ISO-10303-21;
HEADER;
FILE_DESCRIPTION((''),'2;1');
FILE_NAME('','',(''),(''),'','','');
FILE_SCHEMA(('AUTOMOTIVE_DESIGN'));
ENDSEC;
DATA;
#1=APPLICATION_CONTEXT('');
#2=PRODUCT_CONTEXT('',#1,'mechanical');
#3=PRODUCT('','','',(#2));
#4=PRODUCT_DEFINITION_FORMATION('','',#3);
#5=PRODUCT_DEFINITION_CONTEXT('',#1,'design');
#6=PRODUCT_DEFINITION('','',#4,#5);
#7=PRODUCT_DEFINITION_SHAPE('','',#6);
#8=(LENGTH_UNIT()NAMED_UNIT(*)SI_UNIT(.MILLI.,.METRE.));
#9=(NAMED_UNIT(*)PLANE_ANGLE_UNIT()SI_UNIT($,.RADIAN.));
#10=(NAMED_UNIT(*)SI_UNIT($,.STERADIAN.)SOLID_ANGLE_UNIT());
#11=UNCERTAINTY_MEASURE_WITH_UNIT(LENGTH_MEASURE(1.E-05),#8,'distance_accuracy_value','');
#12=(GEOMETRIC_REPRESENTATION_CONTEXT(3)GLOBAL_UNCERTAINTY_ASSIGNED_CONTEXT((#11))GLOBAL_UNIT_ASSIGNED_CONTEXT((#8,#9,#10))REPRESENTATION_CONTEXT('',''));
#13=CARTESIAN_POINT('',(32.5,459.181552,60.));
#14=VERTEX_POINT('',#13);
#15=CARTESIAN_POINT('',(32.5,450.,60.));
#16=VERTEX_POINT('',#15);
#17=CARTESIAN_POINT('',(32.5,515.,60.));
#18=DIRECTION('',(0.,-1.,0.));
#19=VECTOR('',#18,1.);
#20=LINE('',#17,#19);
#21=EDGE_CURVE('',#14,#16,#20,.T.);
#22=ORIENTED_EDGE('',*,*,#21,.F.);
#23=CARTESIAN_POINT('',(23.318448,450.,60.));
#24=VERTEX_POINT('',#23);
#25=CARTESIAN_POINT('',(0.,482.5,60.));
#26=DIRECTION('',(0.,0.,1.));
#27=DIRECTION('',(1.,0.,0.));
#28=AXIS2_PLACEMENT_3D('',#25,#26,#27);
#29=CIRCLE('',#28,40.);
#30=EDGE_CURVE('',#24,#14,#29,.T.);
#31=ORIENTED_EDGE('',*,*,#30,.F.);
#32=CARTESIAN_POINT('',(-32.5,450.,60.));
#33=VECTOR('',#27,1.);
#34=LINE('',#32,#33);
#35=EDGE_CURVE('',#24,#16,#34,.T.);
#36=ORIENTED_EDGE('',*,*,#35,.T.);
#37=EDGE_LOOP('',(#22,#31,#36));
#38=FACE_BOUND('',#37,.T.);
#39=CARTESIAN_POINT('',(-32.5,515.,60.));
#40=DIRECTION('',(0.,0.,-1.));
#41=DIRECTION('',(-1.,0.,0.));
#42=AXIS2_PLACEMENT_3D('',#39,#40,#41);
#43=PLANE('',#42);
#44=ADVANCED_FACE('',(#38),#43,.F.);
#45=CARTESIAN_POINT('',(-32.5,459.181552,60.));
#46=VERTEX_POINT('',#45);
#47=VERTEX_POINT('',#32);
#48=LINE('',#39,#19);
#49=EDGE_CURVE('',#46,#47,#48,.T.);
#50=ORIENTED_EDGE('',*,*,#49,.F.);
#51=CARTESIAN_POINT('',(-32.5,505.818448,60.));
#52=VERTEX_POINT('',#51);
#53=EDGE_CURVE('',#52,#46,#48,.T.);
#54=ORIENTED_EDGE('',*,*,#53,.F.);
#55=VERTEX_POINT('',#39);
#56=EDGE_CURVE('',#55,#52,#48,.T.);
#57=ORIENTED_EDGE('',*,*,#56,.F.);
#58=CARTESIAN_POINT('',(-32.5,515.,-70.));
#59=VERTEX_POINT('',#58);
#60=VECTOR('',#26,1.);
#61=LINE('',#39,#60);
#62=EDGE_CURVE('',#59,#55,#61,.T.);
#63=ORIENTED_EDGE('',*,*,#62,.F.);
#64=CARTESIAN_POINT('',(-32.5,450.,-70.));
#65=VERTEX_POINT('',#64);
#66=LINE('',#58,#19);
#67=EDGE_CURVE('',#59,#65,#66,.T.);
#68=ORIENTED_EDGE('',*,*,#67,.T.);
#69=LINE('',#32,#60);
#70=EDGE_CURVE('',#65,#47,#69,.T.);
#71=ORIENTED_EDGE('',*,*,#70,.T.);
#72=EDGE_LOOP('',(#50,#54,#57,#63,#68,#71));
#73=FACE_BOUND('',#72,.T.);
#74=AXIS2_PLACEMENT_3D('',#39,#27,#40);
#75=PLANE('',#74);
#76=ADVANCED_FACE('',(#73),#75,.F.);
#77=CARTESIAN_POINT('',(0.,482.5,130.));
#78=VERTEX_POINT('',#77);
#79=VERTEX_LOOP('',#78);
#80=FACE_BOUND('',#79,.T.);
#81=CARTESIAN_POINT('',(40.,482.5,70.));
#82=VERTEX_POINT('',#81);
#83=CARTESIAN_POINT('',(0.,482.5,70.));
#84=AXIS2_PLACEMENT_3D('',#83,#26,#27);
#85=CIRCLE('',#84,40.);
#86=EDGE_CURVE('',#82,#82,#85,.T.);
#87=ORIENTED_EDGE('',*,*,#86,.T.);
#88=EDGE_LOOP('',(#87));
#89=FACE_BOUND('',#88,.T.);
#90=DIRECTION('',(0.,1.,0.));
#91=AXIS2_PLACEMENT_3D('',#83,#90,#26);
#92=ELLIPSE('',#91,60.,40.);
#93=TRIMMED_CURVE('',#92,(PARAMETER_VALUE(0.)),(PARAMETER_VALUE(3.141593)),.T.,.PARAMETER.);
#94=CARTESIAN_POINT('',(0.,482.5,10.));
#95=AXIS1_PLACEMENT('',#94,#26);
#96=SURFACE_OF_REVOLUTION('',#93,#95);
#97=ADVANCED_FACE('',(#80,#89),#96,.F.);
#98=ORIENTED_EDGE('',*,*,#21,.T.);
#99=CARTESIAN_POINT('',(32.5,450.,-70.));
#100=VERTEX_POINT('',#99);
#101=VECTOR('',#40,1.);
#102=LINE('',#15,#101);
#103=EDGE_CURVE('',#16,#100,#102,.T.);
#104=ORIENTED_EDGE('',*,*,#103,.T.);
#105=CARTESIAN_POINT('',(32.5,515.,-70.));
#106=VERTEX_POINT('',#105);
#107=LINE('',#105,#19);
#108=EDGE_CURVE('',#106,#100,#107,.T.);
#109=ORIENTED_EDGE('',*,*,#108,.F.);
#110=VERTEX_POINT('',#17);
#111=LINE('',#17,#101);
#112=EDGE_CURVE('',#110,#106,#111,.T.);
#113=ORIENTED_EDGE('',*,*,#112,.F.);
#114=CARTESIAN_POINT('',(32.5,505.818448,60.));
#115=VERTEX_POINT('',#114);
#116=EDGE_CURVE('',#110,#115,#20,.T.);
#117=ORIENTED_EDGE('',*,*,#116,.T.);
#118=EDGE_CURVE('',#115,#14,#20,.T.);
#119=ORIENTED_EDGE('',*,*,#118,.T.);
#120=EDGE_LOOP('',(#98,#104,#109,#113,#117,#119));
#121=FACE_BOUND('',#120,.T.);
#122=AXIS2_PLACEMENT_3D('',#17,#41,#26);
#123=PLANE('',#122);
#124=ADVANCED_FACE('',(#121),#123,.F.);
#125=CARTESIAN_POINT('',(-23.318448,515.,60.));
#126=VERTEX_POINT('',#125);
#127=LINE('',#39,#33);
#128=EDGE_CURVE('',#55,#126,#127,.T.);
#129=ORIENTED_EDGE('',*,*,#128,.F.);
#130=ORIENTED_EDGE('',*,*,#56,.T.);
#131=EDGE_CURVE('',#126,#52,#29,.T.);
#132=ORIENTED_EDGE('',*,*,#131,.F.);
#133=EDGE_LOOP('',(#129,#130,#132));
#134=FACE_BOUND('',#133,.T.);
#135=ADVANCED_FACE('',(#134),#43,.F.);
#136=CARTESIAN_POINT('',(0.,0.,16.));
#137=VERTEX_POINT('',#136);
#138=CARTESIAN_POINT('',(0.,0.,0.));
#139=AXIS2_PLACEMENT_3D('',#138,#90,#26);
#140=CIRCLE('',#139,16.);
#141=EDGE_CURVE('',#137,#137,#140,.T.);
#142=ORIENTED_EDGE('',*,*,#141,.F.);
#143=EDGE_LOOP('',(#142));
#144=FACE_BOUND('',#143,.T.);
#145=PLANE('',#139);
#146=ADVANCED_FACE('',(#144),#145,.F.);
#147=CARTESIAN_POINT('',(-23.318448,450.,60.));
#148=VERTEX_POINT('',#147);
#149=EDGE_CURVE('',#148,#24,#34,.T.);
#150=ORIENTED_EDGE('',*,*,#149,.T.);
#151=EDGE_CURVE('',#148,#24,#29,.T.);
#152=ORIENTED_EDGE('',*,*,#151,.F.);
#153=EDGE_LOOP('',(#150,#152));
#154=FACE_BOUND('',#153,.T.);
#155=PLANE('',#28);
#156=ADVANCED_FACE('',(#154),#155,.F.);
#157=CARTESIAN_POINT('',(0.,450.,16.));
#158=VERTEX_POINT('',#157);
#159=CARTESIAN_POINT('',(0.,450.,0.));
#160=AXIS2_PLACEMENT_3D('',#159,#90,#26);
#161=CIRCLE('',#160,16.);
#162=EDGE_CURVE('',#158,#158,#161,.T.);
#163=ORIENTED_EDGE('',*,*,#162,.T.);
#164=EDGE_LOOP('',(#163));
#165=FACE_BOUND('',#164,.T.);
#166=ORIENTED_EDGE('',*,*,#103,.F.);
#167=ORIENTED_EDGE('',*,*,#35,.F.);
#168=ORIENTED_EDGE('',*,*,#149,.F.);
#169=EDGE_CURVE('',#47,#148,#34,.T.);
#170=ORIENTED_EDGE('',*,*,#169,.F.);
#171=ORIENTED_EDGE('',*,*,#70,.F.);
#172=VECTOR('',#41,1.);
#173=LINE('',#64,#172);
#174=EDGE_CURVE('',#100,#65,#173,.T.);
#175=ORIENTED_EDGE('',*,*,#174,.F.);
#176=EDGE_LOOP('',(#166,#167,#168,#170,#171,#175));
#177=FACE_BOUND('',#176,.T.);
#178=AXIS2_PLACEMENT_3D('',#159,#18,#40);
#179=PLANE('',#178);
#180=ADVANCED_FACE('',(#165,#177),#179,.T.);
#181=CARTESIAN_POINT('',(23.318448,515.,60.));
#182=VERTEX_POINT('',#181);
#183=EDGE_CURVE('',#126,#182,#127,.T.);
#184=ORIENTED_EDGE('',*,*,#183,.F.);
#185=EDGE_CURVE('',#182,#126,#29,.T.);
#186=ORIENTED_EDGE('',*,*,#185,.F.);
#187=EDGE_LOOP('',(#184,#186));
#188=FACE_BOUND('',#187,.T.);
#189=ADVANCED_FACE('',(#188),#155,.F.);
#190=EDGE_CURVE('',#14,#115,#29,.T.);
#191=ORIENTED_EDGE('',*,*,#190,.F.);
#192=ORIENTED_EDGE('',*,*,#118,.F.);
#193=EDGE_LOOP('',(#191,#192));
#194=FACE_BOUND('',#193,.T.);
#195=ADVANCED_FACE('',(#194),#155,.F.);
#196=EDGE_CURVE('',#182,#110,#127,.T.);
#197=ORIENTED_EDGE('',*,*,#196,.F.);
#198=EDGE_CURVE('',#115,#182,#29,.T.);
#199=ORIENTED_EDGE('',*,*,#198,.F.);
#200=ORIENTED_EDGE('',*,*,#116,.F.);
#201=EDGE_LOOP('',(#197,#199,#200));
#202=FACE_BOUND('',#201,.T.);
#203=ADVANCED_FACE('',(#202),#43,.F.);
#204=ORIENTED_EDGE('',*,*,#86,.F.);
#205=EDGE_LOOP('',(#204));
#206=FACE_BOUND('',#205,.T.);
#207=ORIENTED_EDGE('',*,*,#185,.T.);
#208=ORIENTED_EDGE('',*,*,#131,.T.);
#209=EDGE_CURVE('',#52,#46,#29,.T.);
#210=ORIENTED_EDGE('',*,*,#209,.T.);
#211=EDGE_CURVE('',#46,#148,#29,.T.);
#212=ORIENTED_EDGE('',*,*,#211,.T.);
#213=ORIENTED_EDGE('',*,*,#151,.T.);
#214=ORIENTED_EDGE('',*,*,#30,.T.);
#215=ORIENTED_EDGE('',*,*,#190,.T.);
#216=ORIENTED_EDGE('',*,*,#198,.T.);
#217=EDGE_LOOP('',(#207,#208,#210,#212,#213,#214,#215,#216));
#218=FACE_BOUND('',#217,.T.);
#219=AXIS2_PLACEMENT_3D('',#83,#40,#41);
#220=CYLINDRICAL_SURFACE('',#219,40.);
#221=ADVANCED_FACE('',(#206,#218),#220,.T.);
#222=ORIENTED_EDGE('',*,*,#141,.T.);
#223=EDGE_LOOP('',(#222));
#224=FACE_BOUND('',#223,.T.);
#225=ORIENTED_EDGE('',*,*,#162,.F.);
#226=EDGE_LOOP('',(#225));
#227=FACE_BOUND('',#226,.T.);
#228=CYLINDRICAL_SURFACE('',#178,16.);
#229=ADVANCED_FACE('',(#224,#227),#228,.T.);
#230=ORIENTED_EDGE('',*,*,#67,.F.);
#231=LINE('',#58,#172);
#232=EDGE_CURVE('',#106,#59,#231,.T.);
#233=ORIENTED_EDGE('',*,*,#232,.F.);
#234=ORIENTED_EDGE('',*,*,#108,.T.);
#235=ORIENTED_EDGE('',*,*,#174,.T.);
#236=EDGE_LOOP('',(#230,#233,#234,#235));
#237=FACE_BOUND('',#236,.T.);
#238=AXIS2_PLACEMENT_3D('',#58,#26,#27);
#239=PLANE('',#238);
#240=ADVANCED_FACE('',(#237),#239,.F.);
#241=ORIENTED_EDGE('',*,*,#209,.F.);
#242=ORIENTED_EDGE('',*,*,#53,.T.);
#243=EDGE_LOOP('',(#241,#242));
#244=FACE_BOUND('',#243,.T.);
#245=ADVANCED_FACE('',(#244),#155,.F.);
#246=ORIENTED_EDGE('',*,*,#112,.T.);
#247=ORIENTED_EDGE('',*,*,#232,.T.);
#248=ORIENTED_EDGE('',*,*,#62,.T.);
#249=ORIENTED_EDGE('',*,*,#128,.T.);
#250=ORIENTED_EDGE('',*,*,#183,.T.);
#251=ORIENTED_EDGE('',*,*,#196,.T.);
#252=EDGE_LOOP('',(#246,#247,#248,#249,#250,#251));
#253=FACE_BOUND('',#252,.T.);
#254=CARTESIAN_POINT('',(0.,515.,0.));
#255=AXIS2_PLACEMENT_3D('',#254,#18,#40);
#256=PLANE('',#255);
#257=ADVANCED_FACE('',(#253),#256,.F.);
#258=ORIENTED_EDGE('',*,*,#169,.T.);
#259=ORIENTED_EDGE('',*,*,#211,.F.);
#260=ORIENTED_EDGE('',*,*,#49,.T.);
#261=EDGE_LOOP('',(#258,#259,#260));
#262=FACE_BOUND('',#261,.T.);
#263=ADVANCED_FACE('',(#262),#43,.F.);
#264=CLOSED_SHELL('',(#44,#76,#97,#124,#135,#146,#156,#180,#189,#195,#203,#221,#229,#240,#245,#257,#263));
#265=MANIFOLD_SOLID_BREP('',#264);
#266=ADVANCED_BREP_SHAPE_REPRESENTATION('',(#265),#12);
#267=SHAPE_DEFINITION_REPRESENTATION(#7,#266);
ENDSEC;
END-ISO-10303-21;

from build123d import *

# Parameters (mm, degrees)
SKETCH1_R           = 16
BOSS_EXTRUDE1_DEPTH = 450
SKETCH2_W           = 65
SKETCH2_H           = 130
BOSS_EXTRUDE2_DEPTH = 65
SKETCH3_R           = 40
BOSS_EXTRUDE3_DEPTH = 10
DOME1_FACE_RADIUS   = 40
DOME1_HEIGHT        = 60


with BuildPart() as part:
    # Sketch1 → Boss-Extrude1 (new body)
    with BuildSketch(Plane(origin=(0, 0, 0), x_dir=(1, 0, 0), z_dir=(0, 1, 0))):
        Circle(SKETCH1_R)
    extrude(amount=BOSS_EXTRUDE1_DEPTH)

    # Sketch2 → Boss-Extrude2 (add)
    with BuildSketch(Plane(origin=(0, 450, 0), x_dir=(1, 0, 0), z_dir=(0, 1, 0))):
        with Locations((0, 5)):
            Rectangle(SKETCH2_W, SKETCH2_H)
    extrude(amount=BOSS_EXTRUDE2_DEPTH)

    # Sketch3 → Boss-Extrude3 (add)
    with BuildSketch(Plane.XY.offset(60)):
        with Locations((0, 482.5)):
            Circle(SKETCH3_R)
    extrude(amount=BOSS_EXTRUDE3_DEPTH)

    # Dome1: an elliptical dome of height H over a round flat face of radius A is half a spheroid: the quarter ellipse of half axes A and H revolved about the face's axis
    with BuildSketch(Plane((0, 482.5, 70), x_dir=(0, 1, 0), z_dir=(1, 0, 0)), mode=Mode.PRIVATE) as dome1_quarter:
        Ellipse(DOME1_FACE_RADIUS, DOME1_HEIGHT)
        Rectangle(DOME1_FACE_RADIUS, DOME1_HEIGHT, align=(Align.MIN, Align.MIN), mode=Mode.INTERSECT)
    revolve(dome1_quarter.sketch, axis=Axis((0, 482.5, 70), (0, 0, 1)))


solid = part.part
